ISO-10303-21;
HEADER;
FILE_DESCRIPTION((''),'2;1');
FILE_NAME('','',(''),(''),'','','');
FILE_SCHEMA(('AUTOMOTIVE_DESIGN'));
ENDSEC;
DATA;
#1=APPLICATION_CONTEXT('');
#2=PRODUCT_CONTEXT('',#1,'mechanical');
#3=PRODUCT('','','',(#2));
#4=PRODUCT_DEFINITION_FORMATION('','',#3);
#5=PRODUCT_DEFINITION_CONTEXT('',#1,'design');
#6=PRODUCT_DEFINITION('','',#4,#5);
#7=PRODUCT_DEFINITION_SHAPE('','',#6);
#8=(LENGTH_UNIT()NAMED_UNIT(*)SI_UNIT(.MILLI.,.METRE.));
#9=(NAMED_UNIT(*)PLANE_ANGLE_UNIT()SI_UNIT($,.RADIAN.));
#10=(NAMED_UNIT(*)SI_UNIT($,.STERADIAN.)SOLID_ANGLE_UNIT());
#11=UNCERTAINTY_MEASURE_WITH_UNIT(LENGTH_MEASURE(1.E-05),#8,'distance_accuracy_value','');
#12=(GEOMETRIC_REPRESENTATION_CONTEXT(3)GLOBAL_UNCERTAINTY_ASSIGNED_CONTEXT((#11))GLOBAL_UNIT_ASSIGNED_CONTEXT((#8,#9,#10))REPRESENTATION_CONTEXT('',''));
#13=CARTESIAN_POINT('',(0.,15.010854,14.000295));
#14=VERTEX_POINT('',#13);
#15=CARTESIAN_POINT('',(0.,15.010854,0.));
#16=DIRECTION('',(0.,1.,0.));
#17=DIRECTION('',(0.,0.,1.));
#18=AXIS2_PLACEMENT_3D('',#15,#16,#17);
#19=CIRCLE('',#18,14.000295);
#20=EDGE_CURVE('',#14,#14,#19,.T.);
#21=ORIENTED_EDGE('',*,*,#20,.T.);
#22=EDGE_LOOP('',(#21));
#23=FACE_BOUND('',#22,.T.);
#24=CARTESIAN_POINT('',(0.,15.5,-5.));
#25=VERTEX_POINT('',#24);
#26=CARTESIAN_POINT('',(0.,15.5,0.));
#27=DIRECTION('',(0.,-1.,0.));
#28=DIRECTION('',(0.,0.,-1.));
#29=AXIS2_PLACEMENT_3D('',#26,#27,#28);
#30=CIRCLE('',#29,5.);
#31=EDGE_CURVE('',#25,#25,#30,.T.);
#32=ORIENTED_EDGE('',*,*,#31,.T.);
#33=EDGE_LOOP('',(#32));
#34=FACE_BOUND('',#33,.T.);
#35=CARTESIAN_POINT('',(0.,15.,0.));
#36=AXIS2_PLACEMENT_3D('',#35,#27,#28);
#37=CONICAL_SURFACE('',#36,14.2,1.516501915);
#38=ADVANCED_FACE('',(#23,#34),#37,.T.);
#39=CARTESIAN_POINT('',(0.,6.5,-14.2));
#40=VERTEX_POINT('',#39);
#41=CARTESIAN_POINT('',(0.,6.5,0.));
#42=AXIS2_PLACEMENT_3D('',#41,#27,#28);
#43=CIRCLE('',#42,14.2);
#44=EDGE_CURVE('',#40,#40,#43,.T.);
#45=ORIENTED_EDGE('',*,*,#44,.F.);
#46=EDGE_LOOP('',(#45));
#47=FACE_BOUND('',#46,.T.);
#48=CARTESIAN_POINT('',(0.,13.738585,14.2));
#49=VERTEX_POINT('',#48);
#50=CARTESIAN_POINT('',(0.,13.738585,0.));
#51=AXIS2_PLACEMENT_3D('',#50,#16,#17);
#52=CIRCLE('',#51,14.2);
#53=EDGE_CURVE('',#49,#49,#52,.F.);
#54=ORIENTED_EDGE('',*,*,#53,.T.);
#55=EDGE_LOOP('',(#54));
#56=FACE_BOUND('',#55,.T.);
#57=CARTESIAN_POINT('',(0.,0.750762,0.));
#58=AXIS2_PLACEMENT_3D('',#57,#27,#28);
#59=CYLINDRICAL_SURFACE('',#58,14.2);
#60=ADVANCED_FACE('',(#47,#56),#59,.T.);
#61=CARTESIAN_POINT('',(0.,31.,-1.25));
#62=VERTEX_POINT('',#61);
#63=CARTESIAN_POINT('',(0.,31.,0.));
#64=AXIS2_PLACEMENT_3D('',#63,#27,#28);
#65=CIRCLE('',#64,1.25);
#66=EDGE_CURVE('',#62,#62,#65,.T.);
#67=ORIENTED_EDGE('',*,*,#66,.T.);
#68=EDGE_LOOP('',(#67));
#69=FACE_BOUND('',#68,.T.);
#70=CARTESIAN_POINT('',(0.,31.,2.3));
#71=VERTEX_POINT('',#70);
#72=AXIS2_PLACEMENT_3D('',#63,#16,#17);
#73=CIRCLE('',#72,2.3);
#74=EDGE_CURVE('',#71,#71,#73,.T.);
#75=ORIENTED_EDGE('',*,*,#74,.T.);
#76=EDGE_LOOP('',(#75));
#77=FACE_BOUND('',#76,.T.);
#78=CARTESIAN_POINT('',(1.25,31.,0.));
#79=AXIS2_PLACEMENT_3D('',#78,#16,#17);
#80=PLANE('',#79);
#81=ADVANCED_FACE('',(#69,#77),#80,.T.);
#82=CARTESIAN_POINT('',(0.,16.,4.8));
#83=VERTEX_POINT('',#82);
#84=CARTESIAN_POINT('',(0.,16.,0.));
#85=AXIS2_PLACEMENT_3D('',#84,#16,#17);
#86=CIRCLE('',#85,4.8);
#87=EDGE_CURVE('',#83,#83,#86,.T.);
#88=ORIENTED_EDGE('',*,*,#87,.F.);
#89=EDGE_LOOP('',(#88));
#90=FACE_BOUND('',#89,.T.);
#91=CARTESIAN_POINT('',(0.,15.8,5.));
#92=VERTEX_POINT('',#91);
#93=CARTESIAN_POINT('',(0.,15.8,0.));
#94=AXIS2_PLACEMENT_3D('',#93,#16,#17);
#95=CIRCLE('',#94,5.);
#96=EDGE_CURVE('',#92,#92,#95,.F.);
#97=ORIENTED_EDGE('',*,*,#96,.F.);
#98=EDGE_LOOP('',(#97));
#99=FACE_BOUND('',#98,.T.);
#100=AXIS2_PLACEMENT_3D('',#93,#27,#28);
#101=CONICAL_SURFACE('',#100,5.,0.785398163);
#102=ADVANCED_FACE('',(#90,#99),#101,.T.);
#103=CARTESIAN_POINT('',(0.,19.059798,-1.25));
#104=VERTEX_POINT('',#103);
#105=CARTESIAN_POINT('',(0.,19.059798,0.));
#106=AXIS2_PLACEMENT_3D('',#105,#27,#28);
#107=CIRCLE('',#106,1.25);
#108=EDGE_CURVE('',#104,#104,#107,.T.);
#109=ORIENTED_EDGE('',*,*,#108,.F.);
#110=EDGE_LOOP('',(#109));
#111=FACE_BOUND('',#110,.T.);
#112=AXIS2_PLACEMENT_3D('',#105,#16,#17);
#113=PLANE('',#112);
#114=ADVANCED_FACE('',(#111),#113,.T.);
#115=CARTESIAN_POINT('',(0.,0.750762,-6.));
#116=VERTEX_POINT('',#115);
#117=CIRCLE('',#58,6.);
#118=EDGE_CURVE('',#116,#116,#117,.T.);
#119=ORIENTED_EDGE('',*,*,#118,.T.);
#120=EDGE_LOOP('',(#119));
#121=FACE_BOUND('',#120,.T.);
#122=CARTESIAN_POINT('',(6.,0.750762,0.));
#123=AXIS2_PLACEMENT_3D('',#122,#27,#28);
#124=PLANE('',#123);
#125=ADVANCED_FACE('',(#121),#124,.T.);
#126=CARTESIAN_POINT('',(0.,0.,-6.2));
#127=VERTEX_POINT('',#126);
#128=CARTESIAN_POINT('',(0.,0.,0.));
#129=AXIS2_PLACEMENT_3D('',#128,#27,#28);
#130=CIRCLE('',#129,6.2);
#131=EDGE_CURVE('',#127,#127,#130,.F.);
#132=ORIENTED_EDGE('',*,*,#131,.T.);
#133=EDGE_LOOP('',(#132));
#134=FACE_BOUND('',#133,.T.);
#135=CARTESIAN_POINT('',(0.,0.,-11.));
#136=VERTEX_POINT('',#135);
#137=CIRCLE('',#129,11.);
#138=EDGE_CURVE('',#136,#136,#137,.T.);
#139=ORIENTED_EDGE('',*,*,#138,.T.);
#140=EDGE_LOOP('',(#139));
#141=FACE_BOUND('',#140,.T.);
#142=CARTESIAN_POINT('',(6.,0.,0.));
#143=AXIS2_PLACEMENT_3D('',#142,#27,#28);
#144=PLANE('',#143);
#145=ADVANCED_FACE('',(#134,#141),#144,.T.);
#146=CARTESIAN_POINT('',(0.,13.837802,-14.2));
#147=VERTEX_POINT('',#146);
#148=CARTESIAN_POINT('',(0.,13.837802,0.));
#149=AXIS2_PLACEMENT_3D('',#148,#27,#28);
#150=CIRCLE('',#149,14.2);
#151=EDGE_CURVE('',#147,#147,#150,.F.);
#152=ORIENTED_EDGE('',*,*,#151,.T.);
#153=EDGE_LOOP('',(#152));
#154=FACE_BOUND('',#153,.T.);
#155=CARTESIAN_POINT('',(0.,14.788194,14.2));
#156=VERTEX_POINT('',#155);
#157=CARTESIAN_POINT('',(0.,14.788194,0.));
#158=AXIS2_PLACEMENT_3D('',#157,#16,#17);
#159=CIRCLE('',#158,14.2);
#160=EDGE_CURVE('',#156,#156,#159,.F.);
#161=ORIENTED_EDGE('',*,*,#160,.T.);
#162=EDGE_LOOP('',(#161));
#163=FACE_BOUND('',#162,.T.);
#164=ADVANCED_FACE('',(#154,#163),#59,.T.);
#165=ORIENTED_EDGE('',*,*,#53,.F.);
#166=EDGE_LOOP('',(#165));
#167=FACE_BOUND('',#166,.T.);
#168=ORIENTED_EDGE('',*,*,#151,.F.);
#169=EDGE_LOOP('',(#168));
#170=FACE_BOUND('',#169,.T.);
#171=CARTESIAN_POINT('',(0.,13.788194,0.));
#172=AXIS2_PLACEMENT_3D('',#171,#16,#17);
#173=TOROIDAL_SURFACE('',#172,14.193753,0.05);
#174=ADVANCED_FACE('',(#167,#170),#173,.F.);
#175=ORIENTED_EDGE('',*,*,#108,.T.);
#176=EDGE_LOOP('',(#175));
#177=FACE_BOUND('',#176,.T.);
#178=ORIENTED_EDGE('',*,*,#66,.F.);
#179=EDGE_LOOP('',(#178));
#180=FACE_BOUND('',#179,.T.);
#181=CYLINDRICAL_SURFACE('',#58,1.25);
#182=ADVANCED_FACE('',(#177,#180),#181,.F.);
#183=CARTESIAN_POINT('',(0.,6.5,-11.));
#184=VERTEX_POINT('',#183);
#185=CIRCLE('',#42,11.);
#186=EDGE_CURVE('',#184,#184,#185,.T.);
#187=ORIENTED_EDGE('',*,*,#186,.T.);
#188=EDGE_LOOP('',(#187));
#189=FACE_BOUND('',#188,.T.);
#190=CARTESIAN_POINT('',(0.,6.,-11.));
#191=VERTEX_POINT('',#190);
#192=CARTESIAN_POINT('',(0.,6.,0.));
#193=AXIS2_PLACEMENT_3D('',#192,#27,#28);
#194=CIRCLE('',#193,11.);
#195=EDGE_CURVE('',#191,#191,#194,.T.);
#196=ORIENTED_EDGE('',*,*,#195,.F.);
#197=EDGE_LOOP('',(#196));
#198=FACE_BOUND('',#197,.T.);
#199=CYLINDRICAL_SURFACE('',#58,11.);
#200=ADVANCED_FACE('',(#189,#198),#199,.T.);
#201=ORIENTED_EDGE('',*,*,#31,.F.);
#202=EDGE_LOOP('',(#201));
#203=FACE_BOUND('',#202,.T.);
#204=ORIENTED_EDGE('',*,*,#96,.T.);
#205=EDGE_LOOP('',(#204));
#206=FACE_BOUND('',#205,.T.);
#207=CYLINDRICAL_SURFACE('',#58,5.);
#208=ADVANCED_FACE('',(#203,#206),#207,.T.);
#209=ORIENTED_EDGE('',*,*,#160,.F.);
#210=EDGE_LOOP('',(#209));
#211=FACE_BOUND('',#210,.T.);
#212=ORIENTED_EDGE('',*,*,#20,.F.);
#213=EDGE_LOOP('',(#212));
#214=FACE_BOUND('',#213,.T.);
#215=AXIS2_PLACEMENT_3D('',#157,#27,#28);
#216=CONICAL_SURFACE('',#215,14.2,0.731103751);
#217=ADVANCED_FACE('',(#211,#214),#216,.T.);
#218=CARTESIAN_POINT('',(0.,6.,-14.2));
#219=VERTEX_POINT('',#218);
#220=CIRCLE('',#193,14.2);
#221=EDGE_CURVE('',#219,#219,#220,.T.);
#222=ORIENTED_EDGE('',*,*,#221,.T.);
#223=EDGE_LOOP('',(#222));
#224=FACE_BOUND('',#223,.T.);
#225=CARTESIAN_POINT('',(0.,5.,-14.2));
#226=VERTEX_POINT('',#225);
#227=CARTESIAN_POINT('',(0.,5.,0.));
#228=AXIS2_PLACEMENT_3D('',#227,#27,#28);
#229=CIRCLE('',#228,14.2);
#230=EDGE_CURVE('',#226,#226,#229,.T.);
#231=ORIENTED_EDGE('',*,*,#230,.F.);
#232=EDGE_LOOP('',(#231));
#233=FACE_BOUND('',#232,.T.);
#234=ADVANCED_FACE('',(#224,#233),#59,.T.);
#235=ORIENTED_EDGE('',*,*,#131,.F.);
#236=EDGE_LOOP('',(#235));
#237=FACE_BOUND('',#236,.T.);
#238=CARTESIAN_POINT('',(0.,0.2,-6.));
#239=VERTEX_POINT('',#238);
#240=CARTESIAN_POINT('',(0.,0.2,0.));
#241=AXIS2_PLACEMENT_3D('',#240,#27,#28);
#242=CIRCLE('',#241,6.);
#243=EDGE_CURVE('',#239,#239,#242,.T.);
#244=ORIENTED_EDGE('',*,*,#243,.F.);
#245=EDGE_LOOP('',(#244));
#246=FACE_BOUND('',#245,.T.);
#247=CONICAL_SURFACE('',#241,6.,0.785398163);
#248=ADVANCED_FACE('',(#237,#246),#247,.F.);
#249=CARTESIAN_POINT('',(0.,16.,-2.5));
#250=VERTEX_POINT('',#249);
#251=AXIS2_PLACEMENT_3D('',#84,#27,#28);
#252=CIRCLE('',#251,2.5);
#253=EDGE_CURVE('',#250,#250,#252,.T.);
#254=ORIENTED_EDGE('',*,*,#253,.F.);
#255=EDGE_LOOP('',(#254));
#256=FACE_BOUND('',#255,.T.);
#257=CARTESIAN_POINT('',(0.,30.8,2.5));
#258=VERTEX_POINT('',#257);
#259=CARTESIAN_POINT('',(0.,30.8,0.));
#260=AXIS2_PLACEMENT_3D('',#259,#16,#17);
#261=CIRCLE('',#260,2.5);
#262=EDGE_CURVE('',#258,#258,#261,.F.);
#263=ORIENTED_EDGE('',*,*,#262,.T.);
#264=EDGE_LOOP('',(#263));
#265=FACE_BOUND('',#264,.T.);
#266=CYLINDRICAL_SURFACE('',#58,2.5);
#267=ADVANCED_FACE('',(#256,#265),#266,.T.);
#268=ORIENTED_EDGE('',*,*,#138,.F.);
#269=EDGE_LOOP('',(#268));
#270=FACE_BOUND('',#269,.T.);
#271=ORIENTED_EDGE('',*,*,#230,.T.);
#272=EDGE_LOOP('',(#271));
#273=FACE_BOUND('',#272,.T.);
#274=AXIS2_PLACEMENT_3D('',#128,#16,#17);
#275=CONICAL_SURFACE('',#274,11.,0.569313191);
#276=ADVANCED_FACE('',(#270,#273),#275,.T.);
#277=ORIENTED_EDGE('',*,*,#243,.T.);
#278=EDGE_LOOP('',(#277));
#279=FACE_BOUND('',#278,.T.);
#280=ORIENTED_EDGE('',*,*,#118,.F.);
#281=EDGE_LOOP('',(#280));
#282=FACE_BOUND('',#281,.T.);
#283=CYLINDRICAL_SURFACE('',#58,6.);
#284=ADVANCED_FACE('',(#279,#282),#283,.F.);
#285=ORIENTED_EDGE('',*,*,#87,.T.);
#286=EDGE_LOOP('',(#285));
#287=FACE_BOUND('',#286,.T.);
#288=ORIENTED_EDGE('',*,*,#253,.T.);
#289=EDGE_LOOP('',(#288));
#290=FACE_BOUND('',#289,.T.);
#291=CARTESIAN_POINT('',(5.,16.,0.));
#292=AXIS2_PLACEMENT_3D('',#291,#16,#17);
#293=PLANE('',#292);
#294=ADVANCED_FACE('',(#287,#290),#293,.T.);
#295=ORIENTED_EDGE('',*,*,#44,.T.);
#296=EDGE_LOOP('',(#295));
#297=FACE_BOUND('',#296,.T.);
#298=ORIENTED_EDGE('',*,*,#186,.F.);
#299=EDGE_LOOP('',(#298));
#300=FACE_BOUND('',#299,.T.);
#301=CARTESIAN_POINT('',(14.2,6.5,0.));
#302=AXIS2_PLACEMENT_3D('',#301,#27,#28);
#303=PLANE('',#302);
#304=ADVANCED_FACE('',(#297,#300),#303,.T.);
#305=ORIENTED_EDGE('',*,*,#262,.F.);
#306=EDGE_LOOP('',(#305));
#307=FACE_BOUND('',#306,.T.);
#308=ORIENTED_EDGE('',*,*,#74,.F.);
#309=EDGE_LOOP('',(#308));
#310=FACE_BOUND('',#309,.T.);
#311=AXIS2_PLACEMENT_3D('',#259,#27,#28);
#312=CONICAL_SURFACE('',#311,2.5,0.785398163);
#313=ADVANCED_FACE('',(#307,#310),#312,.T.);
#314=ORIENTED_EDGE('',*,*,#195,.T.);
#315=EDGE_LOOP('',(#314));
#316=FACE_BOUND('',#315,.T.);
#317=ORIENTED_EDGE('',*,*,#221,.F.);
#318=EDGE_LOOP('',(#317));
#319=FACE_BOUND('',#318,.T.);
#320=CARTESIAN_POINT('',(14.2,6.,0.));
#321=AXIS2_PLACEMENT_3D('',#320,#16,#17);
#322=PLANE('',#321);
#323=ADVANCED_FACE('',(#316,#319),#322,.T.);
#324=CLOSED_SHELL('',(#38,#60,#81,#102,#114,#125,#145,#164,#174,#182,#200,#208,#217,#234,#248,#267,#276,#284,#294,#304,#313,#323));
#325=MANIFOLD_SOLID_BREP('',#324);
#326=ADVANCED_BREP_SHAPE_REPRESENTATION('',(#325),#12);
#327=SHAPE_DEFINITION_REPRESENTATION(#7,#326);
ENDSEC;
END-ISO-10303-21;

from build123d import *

# Parameters (mm, degrees)
CHAMFER_1_SIZE         = 0.2
CHAMFER_1_EDGE_2_SIZE  = 0.2
CHAMFER_1_EDGE_3_SIZE2 = 0.211806366
CHAMFER_1_EDGE_3_SIZE  = 0.2
CHAMFER_1_EDGE_4_SIZE  = 0.2
SKETCH_4_R             = 0.05


with BuildPart() as part:
    # 草图1 → 旋转1 (revolve)
    with BuildSketch(Plane.XY):
        Polygon((0, 0.750762333), (0, 19.059798334), (1.25, 19.059798334), (1.25, 31), (2.5, 31), (2.5, 16), (5, 16), (5, 15.5), (14.2, 15), (14.2, 6.5), (11, 6.5), (11, 6), (14.2, 6), (14.2, 5), (11, 0), (6, 0), (6, 0.750762333), align=None)
    revolve(axis=Axis((0, 0.750762333, 0), (0, 1, 0)))

    # 倒角1
    chamfer_1_edges = [part.edges().sort_by_distance(p)[0] for p in [
        (-2.5, 31, 0),
    ]]
    chamfer(chamfer_1_edges, length=CHAMFER_1_SIZE)

    # 倒角1 edge 2
    chamfer_1_edge_2_edges = [part.edges().sort_by_distance(p)[0] for p in [
        (-5, 16, 0),
    ]]
    chamfer(chamfer_1_edge_2_edges, length=CHAMFER_1_EDGE_2_SIZE)

    # 倒角1 edge 3
    chamfer_1_edge_3_edges = [part.edges().sort_by_distance(p)[0] for p in [
        (-14.2, 15, 0),
    ]]
    chamfer(chamfer_1_edge_3_edges, length=CHAMFER_1_EDGE_3_SIZE, length2=CHAMFER_1_EDGE_3_SIZE2)

    # 倒角1 edge 4
    chamfer_1_edge_4_edges = [part.edges().sort_by_distance(p)[0] for p in [
        (-6, 0, 0),
    ]]
    chamfer(chamfer_1_edge_4_edges, length=CHAMFER_1_EDGE_4_SIZE)

    # 草图4 → 切除-旋转4 (revolve, cut)
    with BuildSketch(Plane.XY):
        with Locations((14.193753357, 13.788193634)):
            Circle(SKETCH_4_R)
    revolve(axis=Axis((0, 32.55, 0), (0, -1, 0)), mode=Mode.SUBTRACT)


solid = part.part
